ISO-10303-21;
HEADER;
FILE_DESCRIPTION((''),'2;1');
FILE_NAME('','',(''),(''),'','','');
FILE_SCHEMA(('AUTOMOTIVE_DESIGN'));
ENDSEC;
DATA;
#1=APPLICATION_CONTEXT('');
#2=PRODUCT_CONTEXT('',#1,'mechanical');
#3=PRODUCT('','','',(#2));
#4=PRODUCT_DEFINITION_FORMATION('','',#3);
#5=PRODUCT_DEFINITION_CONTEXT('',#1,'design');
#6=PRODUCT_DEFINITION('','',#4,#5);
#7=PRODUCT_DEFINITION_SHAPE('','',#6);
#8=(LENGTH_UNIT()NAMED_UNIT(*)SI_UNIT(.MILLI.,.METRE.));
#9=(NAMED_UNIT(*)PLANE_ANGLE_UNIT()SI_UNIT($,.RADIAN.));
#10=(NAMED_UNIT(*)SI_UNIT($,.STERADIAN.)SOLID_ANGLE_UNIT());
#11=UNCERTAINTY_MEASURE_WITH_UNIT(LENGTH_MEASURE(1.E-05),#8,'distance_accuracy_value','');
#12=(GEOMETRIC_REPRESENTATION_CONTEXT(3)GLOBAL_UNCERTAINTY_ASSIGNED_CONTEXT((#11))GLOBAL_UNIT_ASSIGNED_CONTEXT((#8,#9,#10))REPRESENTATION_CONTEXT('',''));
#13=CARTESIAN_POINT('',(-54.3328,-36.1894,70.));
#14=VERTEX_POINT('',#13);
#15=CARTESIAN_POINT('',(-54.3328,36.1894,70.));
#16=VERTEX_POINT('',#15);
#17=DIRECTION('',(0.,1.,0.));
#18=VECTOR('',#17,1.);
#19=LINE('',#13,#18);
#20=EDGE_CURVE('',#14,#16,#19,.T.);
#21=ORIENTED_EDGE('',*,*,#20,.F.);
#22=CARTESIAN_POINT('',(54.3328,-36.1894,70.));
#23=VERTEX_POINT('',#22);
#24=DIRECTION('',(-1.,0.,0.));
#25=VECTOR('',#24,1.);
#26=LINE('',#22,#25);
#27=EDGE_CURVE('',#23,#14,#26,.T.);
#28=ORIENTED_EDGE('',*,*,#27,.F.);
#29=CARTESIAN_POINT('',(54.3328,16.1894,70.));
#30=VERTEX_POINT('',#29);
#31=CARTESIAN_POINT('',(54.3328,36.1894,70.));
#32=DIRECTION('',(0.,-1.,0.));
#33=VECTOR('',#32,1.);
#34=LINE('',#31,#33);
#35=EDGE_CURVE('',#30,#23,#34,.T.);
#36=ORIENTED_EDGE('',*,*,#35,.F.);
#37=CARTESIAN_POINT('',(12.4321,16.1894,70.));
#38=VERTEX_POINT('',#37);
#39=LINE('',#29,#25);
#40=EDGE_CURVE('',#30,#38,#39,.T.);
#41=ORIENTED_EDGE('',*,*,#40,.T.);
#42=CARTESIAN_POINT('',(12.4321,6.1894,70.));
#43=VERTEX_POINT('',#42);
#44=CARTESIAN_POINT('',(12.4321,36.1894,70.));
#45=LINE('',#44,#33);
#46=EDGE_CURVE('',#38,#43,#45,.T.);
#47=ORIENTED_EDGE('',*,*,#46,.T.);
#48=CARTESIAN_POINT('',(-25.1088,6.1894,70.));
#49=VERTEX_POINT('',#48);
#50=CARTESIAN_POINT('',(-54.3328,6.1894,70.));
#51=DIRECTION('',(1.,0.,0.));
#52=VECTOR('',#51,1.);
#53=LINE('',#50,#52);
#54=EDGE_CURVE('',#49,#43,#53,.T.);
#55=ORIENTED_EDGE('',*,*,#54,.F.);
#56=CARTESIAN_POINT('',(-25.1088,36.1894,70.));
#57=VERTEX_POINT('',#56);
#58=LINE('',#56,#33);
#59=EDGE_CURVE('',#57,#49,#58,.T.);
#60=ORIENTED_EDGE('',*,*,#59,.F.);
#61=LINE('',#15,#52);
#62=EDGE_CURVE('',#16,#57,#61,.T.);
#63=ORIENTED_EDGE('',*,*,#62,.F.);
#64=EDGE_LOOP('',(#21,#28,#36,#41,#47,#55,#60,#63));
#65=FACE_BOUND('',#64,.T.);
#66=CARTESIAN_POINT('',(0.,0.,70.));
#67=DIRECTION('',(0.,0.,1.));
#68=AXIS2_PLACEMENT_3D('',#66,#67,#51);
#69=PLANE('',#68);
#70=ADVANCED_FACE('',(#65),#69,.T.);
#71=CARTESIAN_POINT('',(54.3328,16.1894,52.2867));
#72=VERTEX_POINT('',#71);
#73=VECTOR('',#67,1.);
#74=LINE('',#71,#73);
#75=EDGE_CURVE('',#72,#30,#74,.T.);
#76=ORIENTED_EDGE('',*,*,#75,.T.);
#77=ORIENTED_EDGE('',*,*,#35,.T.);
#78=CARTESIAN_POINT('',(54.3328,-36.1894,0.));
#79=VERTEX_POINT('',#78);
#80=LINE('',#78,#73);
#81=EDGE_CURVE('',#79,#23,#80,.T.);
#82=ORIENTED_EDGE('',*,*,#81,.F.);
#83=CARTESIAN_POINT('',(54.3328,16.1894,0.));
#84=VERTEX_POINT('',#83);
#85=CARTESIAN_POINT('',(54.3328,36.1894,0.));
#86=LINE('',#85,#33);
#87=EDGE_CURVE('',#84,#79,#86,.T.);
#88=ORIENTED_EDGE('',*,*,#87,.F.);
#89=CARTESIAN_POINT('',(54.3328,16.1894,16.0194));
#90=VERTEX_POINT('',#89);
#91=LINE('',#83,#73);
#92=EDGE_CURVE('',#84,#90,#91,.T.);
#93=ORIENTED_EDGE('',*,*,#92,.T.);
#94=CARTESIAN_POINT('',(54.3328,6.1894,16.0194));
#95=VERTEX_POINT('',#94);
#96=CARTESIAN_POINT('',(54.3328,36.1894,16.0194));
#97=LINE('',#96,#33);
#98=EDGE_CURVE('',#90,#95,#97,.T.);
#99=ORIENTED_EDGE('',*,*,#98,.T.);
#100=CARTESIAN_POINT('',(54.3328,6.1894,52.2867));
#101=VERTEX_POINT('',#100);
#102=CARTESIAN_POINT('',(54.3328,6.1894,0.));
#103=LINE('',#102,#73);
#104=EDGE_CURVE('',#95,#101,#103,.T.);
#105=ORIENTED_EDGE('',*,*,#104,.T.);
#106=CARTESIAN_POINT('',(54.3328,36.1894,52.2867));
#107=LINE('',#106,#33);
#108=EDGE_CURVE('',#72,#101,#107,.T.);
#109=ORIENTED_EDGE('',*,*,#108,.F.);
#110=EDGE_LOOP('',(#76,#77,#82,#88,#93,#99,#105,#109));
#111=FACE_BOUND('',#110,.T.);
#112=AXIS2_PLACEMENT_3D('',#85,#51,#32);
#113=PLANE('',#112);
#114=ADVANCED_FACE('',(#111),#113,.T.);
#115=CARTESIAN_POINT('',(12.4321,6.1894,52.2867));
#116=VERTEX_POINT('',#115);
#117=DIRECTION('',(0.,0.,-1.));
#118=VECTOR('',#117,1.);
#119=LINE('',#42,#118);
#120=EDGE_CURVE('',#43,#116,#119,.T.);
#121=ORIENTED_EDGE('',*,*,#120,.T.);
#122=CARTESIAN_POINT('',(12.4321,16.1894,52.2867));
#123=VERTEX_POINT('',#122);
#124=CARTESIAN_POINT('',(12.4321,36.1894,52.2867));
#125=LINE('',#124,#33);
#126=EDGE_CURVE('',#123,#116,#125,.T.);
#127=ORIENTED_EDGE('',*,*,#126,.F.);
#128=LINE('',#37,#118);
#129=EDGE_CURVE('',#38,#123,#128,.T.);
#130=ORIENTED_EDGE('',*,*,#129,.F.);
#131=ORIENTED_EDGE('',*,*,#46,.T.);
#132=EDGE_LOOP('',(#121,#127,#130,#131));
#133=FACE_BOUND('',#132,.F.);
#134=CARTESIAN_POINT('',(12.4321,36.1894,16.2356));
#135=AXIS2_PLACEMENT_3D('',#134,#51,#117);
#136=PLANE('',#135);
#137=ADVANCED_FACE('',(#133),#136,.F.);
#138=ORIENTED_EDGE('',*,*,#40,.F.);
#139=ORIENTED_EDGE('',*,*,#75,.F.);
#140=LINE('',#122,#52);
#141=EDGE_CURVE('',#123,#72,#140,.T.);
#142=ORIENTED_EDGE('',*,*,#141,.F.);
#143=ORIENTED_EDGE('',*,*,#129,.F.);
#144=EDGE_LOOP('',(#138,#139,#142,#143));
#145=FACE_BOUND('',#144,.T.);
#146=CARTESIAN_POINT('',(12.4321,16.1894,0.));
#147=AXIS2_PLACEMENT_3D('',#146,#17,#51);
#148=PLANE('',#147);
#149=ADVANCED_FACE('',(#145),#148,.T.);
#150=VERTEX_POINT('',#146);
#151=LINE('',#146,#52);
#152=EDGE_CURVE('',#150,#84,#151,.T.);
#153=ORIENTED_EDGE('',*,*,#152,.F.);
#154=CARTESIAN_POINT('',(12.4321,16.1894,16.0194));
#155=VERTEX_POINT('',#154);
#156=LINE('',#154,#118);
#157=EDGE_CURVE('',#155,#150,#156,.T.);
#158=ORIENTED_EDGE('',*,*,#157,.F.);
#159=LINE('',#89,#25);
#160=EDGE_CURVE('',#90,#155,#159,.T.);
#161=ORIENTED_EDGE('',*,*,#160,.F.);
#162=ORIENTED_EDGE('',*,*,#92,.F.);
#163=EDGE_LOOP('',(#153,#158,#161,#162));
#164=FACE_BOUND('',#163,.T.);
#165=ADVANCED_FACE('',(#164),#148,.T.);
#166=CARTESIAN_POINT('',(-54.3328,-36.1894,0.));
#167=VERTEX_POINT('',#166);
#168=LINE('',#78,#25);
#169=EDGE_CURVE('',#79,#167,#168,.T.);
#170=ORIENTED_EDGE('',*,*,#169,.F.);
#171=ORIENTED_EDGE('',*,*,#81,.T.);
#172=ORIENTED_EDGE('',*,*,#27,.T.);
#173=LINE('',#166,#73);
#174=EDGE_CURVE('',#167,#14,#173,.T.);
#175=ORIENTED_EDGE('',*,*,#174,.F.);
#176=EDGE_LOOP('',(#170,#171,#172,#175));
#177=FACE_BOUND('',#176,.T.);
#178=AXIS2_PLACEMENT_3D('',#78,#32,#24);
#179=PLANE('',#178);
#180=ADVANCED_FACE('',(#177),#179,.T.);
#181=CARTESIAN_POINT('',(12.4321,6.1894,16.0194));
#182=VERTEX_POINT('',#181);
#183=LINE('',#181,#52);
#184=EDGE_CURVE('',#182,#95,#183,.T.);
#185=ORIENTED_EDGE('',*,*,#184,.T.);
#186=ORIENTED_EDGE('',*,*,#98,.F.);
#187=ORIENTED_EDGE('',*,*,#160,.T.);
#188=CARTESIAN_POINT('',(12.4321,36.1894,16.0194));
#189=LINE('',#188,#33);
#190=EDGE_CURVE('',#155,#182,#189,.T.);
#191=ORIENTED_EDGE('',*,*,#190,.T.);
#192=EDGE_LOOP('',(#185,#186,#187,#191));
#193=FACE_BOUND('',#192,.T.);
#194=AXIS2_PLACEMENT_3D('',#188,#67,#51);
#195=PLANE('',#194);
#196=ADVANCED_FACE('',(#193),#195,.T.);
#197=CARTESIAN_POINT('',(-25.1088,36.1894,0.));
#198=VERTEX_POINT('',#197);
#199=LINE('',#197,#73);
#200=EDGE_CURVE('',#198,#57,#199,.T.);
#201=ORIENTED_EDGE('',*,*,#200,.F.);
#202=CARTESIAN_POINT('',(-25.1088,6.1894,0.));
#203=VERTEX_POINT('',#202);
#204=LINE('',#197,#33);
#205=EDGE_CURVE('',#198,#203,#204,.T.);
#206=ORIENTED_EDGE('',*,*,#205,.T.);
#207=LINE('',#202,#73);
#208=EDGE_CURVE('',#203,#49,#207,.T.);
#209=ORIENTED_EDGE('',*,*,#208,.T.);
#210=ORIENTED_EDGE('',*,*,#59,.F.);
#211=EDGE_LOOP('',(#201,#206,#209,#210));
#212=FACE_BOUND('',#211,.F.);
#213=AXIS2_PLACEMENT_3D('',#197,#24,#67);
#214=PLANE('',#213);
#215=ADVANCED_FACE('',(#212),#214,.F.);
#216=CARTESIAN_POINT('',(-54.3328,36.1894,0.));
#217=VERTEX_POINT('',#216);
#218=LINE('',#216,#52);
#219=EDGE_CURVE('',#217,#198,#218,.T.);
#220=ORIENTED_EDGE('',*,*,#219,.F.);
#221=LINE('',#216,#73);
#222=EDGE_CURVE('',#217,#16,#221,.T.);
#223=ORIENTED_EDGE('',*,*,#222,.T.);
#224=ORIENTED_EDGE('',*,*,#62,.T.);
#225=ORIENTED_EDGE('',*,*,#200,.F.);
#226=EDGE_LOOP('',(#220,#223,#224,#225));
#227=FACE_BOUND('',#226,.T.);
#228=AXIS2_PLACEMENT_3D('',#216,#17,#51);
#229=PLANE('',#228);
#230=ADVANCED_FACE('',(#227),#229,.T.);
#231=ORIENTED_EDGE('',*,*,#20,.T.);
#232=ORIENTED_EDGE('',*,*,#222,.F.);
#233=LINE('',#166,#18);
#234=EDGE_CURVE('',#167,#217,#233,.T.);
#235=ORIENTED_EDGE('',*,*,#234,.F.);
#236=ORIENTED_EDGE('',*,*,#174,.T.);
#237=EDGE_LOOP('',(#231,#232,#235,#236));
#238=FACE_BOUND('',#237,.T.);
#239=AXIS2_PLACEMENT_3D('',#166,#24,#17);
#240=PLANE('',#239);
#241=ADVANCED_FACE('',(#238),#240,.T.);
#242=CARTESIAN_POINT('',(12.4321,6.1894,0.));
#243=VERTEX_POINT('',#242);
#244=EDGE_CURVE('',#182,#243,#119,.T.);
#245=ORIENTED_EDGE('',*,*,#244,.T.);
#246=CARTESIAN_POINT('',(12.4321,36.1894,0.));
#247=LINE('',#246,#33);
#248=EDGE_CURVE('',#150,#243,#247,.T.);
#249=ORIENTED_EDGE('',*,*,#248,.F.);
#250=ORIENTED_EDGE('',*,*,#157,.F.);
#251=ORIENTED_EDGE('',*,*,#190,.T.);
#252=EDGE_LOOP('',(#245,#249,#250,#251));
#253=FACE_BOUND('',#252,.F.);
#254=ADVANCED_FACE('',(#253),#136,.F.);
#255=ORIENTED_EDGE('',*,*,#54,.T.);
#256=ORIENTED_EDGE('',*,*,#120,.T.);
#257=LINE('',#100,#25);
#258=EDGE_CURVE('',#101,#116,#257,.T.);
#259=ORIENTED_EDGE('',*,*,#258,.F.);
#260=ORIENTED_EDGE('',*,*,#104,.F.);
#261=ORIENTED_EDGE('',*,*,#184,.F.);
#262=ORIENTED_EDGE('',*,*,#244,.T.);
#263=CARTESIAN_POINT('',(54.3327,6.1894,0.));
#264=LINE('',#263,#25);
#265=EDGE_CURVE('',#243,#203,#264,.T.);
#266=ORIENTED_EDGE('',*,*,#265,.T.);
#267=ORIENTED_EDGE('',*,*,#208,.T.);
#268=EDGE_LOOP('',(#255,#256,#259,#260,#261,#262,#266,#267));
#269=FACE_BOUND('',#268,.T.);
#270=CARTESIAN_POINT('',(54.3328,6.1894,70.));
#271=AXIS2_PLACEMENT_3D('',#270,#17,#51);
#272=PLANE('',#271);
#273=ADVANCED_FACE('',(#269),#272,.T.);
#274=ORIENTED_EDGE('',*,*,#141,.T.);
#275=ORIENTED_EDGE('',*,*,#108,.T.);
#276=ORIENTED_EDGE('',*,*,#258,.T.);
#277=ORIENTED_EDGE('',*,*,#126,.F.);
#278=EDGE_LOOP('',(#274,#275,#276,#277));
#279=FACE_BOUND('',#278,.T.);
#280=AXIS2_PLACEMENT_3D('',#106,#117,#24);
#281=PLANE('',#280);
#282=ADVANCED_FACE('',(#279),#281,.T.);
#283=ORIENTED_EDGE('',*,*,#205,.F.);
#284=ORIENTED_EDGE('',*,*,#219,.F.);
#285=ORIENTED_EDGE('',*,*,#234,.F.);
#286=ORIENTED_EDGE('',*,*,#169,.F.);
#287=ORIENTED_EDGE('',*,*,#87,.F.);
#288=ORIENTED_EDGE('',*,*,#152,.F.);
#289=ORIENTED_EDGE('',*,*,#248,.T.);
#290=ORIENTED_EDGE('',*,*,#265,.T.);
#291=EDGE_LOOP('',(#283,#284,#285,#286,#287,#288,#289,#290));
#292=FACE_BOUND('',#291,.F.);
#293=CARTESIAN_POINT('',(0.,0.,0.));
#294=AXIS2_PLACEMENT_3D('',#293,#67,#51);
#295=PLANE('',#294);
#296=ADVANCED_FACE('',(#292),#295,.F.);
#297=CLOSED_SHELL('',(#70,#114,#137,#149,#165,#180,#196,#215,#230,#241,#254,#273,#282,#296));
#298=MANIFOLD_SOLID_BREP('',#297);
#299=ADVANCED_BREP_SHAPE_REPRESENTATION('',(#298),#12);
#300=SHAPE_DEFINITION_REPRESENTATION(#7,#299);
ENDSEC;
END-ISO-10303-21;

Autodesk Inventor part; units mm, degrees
ref_plane "YZ Plane" through (0, 0, 0) normal (1, 0, 0) x (0, 1, 0)
ref_plane "XZ Plane" through (0, 0, 0) normal (0, 1, 0) x (-1, 0, 0)
ref_plane "XY Plane" through (0, 0, 0) normal (0, 0, 1) x (1, 0, 0)
sketch "스케치1" plane through (0, 0, 0) normal (0, 0, 1) x (1, 0, 0)
  line L0 (54.3328, -36.1894) -> (-54.3328, -36.1894)
  line L1 (-54.3328, -36.1894) -> (-54.3328, 36.1894)
  line L2 (-54.3328, 36.1894) -> (54.3328, 36.1894)
  line L3 (54.3328, 36.1894) -> (54.3328, -36.1894)
  line L4 (54.3328, -36.1894) -> (-54.3328, 36.1894) construction
  line L5 (-54.3328, -36.1894) -> (54.3328, 36.1894) construction
  point P0 (0, 0)
extrude "돌출1" add sketch "스케치1" along normal blind 70
sketch "스케치2" plane through (-54.3328, 36.1894, 0) normal (0, 1, 0) x (1, 0, 0)
  line L0 (0, -70) -> (108.6655, -70) projected
  line L1 (108.6655, 0) -> (0, 0) projected
  line L2 (29.224, -70) -> (66.7649, -70)
  line L3 (66.7649, -70) -> (66.7649, 0)
  line L4 (66.7649, 0) -> (29.224, 0)
  line L5 (29.224, 0) -> (29.224, -70)
  line L6 (66.7649, -52.0222) -> (98.3413, -52.0222)
  line L7 (98.3413, -52.0222) -> (98.3413, -16.2356)
  line L8 (98.3413, -16.2356) -> (66.7649, -16.2356)
  line L9 (66.7649, -16.2356) -> (66.7649, -52.0222)
  point P0 (54.3328, 0)
extrude "돌출2" cut sketch "스케치2" against normal blind 30 contours L5 L1 L3 L0
sketch "스케치3" plane through (54.3328, 36.1894, 70) normal (0, 1, 0) x (1, 0, 0)
  line L0 (-41.9007, 70) -> (-41.9007, 0) projected
  line L1 (0, 70) -> (0, 0) projected
  line L2 (-41.9007, 53.9806) -> (0, 53.9806)
  line L3 (0, 53.9806) -> (0, 17.7133)
  line L4 (0, 17.7133) -> (-41.9007, 17.7133)
  line L5 (-41.9007, 17.7133) -> (-41.9007, 53.9806)
  point P0 (-54.3328, 70)
extrude "돌출3" cut sketch "스케치3" against normal blind 30
sketch "스케치4" plane through (0, 0, 70) normal (0, 0, 1) x (1, 0, 0)
  point P0 (0, 0)
sketch "스케치5" plane through (12.4321, 36.1894, 0) normal (0, 1, 0) x (1, 0, 0)
  line L0 (41.9007, 0) -> (41.9007, -16.0194) projected
  line L1 (0, 0) -> (41.9007, 0)
  line L2 (41.9007, 0) -> (41.9007, -16.0194)
  line L3 (41.9007, -16.0194) -> (0, -16.0194)
  line L4 (0, -16.0194) -> (0, 0)
  line L5 (41.9007, -70) -> (0, -70) projected
  line L6 (0, -52.2867) -> (41.9007, -52.2867)
  line L7 (41.9007, -52.2867) -> (41.9007, -70)
  line L8 (41.9007, -70) -> (0, -70)
  line L9 (0, -70) -> (0, -52.2867)
  point P0 (-12.4321, 0)
extrude "돌출4" cut sketch "스케치5" against normal blind 20 contours L0 L3 L4 L1
extrude "돌출5" cut sketch "스케치5" against normal blind 20 contours L5 L9 L6 L7
properties part number "240503_3Dsketch06"
